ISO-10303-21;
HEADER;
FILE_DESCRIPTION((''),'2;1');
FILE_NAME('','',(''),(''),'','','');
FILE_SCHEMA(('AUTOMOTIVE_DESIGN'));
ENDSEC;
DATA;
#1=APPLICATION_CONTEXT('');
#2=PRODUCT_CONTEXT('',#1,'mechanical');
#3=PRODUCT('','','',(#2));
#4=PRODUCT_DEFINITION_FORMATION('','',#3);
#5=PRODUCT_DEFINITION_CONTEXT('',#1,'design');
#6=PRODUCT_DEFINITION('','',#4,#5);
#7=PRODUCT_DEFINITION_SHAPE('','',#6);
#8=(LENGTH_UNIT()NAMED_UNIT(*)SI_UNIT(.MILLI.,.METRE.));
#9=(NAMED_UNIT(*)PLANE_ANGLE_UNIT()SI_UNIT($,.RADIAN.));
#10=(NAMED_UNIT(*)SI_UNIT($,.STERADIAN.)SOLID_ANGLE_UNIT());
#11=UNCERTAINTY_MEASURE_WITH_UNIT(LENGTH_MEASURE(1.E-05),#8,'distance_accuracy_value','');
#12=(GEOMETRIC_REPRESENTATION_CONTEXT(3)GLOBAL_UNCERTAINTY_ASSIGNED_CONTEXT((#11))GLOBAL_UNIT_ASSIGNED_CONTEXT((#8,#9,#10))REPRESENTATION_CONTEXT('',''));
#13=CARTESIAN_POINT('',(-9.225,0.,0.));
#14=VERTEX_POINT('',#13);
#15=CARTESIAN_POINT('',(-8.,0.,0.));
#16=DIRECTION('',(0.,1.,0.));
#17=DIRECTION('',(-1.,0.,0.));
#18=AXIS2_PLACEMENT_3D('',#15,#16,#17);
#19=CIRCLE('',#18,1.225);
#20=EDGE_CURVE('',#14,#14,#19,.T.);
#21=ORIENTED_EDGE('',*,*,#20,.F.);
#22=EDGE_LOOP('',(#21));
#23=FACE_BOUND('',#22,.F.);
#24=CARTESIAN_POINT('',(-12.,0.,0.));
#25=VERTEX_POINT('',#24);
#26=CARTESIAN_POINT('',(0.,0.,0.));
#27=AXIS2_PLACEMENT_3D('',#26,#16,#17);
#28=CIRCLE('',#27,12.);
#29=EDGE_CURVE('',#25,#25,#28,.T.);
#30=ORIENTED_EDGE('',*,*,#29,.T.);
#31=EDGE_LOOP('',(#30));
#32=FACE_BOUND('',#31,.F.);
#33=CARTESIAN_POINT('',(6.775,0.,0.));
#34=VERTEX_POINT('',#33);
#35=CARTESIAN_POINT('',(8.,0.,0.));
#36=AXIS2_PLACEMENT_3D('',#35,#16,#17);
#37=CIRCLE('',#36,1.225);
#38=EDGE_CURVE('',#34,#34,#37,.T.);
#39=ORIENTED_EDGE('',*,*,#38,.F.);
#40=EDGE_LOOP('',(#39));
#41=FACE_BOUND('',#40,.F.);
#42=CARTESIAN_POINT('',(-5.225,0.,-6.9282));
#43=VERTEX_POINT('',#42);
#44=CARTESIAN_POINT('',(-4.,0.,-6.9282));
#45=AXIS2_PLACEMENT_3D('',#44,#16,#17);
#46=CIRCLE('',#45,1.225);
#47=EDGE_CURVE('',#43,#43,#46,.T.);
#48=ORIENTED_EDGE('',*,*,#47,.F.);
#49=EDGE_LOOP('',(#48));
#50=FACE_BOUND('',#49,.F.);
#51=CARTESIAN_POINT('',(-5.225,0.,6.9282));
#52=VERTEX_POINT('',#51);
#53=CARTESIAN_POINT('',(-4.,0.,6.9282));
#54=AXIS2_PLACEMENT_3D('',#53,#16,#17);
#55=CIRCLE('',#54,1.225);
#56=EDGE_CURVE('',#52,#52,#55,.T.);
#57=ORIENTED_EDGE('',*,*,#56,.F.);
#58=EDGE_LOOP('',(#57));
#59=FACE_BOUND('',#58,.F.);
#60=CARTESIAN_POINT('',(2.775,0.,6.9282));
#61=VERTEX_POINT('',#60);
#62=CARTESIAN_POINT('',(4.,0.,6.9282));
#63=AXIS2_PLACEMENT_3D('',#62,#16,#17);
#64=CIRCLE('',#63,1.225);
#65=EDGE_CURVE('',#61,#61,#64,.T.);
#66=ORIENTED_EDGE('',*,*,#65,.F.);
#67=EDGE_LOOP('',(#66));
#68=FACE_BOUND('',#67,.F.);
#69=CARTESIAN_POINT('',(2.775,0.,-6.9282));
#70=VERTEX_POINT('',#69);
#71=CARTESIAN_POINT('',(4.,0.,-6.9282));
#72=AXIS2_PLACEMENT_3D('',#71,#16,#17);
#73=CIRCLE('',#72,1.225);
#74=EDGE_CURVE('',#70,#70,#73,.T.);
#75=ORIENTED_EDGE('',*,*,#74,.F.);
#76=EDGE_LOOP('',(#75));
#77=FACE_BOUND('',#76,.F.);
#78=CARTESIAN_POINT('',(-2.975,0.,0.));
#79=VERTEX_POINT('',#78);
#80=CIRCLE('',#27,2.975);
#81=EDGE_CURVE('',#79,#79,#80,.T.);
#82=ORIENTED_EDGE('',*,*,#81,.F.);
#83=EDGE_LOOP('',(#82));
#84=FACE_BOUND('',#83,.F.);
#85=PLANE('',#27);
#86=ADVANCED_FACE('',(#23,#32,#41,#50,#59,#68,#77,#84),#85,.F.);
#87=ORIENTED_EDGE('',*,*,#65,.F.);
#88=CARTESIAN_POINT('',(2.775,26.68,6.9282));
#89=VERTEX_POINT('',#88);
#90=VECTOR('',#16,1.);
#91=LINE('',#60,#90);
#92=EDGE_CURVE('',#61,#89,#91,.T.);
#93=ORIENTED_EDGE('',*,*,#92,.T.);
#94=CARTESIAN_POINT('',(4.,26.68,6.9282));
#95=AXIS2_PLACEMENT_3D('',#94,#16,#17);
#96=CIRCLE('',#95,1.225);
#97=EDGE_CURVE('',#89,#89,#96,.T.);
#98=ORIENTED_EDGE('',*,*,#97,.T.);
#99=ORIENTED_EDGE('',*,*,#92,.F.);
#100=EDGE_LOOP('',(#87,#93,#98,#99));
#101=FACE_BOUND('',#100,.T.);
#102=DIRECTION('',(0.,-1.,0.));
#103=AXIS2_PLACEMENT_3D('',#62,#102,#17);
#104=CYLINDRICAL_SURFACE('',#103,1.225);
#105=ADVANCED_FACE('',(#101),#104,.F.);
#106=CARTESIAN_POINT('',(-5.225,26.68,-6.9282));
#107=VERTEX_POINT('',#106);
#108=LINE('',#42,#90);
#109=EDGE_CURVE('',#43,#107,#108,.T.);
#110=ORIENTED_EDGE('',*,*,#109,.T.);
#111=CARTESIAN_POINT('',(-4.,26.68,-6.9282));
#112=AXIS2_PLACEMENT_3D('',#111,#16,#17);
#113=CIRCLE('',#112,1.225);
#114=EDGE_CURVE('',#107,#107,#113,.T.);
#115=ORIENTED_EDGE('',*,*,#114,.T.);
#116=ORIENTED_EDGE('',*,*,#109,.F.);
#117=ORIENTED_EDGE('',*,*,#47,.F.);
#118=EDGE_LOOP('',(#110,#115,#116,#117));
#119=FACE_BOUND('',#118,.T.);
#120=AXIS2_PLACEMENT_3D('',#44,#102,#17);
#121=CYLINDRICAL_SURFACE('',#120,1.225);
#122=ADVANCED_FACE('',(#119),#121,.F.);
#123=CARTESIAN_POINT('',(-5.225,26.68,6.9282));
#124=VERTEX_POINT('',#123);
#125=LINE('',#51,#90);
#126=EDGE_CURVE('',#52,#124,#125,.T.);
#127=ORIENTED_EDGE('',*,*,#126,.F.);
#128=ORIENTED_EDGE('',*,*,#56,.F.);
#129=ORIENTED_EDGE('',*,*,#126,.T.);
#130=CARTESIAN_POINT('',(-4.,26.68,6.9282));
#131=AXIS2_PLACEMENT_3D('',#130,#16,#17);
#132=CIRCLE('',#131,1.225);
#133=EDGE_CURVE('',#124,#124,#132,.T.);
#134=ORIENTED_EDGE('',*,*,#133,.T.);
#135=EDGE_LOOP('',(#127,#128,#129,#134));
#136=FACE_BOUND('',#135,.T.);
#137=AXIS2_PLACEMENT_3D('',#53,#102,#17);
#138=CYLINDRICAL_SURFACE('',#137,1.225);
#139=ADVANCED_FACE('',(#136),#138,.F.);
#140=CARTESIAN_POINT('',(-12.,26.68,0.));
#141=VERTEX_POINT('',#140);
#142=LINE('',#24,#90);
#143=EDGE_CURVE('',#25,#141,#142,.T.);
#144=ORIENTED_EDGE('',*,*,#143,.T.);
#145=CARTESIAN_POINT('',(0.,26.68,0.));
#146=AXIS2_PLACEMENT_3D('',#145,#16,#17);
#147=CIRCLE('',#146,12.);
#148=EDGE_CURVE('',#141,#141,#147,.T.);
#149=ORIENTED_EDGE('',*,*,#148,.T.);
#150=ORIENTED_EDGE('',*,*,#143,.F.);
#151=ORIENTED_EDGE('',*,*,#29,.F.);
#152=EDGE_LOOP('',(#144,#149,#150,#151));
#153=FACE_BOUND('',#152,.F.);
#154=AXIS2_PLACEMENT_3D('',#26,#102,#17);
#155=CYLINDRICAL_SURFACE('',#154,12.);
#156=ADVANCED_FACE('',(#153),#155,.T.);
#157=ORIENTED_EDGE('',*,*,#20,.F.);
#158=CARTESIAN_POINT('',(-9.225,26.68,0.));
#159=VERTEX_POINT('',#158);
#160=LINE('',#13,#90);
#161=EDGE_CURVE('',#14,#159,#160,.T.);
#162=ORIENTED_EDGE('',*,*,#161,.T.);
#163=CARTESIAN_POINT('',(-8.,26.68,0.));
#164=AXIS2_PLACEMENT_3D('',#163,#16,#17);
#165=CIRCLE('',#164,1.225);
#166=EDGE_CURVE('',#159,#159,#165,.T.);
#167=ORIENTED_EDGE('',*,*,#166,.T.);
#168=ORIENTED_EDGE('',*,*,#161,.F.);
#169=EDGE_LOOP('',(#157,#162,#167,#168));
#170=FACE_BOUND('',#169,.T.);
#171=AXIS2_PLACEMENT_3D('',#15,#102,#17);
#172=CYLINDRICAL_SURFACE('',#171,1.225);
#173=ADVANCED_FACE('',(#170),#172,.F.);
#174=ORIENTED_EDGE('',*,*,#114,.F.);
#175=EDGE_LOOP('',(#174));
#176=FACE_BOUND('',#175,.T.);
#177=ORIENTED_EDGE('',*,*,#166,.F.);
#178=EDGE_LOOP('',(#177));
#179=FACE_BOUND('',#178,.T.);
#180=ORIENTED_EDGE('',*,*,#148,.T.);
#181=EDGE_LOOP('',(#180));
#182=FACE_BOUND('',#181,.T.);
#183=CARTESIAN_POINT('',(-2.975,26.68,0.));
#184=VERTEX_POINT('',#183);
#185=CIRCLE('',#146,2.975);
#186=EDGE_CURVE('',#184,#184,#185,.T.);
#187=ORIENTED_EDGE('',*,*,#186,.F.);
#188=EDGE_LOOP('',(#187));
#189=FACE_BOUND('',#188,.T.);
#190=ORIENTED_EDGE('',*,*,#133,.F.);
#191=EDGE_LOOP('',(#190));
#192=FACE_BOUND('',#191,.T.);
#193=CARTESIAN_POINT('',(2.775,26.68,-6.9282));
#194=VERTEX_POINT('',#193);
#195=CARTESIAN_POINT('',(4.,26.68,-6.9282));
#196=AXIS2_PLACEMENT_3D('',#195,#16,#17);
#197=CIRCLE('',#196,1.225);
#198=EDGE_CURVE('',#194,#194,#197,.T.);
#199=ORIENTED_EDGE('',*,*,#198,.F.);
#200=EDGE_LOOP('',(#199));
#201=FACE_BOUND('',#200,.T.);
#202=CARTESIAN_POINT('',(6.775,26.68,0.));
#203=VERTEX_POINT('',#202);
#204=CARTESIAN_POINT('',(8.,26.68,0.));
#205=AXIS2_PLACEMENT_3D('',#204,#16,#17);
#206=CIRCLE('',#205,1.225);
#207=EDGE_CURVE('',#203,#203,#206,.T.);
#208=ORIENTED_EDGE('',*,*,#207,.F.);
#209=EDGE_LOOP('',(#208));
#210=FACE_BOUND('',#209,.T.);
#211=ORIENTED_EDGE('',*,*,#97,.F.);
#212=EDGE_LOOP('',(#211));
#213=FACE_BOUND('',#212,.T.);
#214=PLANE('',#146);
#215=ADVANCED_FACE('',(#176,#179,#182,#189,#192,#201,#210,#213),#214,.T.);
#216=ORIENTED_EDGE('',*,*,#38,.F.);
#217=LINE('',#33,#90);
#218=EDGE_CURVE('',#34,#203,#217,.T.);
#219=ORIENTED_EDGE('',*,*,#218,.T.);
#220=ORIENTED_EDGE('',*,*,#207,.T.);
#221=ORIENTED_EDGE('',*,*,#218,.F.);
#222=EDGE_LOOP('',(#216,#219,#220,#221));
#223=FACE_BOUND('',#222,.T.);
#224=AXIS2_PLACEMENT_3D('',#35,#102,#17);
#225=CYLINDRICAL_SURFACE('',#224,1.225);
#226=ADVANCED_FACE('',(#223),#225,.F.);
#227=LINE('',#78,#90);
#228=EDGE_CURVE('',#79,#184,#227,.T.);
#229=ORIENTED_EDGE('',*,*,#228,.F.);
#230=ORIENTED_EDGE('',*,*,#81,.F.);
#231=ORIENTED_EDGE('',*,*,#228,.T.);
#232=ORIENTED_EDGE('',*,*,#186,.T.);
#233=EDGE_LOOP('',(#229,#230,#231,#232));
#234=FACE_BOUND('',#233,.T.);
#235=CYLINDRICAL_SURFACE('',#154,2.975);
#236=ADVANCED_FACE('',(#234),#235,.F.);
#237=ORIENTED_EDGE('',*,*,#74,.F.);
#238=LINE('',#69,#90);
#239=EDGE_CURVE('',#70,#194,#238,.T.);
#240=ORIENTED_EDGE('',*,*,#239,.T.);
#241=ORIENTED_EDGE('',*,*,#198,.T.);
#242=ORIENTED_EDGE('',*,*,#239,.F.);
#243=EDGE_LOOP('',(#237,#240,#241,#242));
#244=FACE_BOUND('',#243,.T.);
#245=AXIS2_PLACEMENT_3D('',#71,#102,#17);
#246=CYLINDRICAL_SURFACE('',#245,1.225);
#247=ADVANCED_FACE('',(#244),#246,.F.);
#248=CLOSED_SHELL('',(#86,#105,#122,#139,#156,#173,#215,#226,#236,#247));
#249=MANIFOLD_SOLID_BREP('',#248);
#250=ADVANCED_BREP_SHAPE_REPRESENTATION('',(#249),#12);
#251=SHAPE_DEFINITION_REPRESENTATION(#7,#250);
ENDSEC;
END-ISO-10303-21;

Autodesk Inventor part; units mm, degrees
ref_plane "YZ Plane" through (0, 0, 0) normal (1, 0, 0) x (0, 1, 0)
ref_plane "XZ Plane" through (0, 0, 0) normal (0, 1, 0) x (-1, 0, 0)
ref_plane "XY Plane" through (0, 0, 0) normal (0, 0, 1) x (1, 0, 0)
sketch "Sketch2" plane through (0, 0, 0) normal (0, 1, 0) x (-1, 0, 0)
  circle A0 centre (0, 0) radius 2.975
  circle A1 centre (0, 0) radius 12
  circle A2 centre (8, 0) radius 1.225
  circle A3 centre (4, 6.9282) radius 1.225
  circle A4 centre (-4, 6.9282) radius 1.225
  circle A5 centre (-8, 0) radius 1.225
  circle A6 centre (-4, -6.9282) radius 1.225
  circle A7 centre (4, -6.9282) radius 1.225
  dimension "d12" = 5.95
  dimension "d14" = 24
  dimension "d15" = 2.45
  dimension "d16" = 0
  dimension "d17" = 8
  dimension "d20" = 360
extrude "Extrusion2" add sketch "Sketch2" along normal blind 26.68
properties part number "smallSprocketHolder" material "ABS Plastic"
